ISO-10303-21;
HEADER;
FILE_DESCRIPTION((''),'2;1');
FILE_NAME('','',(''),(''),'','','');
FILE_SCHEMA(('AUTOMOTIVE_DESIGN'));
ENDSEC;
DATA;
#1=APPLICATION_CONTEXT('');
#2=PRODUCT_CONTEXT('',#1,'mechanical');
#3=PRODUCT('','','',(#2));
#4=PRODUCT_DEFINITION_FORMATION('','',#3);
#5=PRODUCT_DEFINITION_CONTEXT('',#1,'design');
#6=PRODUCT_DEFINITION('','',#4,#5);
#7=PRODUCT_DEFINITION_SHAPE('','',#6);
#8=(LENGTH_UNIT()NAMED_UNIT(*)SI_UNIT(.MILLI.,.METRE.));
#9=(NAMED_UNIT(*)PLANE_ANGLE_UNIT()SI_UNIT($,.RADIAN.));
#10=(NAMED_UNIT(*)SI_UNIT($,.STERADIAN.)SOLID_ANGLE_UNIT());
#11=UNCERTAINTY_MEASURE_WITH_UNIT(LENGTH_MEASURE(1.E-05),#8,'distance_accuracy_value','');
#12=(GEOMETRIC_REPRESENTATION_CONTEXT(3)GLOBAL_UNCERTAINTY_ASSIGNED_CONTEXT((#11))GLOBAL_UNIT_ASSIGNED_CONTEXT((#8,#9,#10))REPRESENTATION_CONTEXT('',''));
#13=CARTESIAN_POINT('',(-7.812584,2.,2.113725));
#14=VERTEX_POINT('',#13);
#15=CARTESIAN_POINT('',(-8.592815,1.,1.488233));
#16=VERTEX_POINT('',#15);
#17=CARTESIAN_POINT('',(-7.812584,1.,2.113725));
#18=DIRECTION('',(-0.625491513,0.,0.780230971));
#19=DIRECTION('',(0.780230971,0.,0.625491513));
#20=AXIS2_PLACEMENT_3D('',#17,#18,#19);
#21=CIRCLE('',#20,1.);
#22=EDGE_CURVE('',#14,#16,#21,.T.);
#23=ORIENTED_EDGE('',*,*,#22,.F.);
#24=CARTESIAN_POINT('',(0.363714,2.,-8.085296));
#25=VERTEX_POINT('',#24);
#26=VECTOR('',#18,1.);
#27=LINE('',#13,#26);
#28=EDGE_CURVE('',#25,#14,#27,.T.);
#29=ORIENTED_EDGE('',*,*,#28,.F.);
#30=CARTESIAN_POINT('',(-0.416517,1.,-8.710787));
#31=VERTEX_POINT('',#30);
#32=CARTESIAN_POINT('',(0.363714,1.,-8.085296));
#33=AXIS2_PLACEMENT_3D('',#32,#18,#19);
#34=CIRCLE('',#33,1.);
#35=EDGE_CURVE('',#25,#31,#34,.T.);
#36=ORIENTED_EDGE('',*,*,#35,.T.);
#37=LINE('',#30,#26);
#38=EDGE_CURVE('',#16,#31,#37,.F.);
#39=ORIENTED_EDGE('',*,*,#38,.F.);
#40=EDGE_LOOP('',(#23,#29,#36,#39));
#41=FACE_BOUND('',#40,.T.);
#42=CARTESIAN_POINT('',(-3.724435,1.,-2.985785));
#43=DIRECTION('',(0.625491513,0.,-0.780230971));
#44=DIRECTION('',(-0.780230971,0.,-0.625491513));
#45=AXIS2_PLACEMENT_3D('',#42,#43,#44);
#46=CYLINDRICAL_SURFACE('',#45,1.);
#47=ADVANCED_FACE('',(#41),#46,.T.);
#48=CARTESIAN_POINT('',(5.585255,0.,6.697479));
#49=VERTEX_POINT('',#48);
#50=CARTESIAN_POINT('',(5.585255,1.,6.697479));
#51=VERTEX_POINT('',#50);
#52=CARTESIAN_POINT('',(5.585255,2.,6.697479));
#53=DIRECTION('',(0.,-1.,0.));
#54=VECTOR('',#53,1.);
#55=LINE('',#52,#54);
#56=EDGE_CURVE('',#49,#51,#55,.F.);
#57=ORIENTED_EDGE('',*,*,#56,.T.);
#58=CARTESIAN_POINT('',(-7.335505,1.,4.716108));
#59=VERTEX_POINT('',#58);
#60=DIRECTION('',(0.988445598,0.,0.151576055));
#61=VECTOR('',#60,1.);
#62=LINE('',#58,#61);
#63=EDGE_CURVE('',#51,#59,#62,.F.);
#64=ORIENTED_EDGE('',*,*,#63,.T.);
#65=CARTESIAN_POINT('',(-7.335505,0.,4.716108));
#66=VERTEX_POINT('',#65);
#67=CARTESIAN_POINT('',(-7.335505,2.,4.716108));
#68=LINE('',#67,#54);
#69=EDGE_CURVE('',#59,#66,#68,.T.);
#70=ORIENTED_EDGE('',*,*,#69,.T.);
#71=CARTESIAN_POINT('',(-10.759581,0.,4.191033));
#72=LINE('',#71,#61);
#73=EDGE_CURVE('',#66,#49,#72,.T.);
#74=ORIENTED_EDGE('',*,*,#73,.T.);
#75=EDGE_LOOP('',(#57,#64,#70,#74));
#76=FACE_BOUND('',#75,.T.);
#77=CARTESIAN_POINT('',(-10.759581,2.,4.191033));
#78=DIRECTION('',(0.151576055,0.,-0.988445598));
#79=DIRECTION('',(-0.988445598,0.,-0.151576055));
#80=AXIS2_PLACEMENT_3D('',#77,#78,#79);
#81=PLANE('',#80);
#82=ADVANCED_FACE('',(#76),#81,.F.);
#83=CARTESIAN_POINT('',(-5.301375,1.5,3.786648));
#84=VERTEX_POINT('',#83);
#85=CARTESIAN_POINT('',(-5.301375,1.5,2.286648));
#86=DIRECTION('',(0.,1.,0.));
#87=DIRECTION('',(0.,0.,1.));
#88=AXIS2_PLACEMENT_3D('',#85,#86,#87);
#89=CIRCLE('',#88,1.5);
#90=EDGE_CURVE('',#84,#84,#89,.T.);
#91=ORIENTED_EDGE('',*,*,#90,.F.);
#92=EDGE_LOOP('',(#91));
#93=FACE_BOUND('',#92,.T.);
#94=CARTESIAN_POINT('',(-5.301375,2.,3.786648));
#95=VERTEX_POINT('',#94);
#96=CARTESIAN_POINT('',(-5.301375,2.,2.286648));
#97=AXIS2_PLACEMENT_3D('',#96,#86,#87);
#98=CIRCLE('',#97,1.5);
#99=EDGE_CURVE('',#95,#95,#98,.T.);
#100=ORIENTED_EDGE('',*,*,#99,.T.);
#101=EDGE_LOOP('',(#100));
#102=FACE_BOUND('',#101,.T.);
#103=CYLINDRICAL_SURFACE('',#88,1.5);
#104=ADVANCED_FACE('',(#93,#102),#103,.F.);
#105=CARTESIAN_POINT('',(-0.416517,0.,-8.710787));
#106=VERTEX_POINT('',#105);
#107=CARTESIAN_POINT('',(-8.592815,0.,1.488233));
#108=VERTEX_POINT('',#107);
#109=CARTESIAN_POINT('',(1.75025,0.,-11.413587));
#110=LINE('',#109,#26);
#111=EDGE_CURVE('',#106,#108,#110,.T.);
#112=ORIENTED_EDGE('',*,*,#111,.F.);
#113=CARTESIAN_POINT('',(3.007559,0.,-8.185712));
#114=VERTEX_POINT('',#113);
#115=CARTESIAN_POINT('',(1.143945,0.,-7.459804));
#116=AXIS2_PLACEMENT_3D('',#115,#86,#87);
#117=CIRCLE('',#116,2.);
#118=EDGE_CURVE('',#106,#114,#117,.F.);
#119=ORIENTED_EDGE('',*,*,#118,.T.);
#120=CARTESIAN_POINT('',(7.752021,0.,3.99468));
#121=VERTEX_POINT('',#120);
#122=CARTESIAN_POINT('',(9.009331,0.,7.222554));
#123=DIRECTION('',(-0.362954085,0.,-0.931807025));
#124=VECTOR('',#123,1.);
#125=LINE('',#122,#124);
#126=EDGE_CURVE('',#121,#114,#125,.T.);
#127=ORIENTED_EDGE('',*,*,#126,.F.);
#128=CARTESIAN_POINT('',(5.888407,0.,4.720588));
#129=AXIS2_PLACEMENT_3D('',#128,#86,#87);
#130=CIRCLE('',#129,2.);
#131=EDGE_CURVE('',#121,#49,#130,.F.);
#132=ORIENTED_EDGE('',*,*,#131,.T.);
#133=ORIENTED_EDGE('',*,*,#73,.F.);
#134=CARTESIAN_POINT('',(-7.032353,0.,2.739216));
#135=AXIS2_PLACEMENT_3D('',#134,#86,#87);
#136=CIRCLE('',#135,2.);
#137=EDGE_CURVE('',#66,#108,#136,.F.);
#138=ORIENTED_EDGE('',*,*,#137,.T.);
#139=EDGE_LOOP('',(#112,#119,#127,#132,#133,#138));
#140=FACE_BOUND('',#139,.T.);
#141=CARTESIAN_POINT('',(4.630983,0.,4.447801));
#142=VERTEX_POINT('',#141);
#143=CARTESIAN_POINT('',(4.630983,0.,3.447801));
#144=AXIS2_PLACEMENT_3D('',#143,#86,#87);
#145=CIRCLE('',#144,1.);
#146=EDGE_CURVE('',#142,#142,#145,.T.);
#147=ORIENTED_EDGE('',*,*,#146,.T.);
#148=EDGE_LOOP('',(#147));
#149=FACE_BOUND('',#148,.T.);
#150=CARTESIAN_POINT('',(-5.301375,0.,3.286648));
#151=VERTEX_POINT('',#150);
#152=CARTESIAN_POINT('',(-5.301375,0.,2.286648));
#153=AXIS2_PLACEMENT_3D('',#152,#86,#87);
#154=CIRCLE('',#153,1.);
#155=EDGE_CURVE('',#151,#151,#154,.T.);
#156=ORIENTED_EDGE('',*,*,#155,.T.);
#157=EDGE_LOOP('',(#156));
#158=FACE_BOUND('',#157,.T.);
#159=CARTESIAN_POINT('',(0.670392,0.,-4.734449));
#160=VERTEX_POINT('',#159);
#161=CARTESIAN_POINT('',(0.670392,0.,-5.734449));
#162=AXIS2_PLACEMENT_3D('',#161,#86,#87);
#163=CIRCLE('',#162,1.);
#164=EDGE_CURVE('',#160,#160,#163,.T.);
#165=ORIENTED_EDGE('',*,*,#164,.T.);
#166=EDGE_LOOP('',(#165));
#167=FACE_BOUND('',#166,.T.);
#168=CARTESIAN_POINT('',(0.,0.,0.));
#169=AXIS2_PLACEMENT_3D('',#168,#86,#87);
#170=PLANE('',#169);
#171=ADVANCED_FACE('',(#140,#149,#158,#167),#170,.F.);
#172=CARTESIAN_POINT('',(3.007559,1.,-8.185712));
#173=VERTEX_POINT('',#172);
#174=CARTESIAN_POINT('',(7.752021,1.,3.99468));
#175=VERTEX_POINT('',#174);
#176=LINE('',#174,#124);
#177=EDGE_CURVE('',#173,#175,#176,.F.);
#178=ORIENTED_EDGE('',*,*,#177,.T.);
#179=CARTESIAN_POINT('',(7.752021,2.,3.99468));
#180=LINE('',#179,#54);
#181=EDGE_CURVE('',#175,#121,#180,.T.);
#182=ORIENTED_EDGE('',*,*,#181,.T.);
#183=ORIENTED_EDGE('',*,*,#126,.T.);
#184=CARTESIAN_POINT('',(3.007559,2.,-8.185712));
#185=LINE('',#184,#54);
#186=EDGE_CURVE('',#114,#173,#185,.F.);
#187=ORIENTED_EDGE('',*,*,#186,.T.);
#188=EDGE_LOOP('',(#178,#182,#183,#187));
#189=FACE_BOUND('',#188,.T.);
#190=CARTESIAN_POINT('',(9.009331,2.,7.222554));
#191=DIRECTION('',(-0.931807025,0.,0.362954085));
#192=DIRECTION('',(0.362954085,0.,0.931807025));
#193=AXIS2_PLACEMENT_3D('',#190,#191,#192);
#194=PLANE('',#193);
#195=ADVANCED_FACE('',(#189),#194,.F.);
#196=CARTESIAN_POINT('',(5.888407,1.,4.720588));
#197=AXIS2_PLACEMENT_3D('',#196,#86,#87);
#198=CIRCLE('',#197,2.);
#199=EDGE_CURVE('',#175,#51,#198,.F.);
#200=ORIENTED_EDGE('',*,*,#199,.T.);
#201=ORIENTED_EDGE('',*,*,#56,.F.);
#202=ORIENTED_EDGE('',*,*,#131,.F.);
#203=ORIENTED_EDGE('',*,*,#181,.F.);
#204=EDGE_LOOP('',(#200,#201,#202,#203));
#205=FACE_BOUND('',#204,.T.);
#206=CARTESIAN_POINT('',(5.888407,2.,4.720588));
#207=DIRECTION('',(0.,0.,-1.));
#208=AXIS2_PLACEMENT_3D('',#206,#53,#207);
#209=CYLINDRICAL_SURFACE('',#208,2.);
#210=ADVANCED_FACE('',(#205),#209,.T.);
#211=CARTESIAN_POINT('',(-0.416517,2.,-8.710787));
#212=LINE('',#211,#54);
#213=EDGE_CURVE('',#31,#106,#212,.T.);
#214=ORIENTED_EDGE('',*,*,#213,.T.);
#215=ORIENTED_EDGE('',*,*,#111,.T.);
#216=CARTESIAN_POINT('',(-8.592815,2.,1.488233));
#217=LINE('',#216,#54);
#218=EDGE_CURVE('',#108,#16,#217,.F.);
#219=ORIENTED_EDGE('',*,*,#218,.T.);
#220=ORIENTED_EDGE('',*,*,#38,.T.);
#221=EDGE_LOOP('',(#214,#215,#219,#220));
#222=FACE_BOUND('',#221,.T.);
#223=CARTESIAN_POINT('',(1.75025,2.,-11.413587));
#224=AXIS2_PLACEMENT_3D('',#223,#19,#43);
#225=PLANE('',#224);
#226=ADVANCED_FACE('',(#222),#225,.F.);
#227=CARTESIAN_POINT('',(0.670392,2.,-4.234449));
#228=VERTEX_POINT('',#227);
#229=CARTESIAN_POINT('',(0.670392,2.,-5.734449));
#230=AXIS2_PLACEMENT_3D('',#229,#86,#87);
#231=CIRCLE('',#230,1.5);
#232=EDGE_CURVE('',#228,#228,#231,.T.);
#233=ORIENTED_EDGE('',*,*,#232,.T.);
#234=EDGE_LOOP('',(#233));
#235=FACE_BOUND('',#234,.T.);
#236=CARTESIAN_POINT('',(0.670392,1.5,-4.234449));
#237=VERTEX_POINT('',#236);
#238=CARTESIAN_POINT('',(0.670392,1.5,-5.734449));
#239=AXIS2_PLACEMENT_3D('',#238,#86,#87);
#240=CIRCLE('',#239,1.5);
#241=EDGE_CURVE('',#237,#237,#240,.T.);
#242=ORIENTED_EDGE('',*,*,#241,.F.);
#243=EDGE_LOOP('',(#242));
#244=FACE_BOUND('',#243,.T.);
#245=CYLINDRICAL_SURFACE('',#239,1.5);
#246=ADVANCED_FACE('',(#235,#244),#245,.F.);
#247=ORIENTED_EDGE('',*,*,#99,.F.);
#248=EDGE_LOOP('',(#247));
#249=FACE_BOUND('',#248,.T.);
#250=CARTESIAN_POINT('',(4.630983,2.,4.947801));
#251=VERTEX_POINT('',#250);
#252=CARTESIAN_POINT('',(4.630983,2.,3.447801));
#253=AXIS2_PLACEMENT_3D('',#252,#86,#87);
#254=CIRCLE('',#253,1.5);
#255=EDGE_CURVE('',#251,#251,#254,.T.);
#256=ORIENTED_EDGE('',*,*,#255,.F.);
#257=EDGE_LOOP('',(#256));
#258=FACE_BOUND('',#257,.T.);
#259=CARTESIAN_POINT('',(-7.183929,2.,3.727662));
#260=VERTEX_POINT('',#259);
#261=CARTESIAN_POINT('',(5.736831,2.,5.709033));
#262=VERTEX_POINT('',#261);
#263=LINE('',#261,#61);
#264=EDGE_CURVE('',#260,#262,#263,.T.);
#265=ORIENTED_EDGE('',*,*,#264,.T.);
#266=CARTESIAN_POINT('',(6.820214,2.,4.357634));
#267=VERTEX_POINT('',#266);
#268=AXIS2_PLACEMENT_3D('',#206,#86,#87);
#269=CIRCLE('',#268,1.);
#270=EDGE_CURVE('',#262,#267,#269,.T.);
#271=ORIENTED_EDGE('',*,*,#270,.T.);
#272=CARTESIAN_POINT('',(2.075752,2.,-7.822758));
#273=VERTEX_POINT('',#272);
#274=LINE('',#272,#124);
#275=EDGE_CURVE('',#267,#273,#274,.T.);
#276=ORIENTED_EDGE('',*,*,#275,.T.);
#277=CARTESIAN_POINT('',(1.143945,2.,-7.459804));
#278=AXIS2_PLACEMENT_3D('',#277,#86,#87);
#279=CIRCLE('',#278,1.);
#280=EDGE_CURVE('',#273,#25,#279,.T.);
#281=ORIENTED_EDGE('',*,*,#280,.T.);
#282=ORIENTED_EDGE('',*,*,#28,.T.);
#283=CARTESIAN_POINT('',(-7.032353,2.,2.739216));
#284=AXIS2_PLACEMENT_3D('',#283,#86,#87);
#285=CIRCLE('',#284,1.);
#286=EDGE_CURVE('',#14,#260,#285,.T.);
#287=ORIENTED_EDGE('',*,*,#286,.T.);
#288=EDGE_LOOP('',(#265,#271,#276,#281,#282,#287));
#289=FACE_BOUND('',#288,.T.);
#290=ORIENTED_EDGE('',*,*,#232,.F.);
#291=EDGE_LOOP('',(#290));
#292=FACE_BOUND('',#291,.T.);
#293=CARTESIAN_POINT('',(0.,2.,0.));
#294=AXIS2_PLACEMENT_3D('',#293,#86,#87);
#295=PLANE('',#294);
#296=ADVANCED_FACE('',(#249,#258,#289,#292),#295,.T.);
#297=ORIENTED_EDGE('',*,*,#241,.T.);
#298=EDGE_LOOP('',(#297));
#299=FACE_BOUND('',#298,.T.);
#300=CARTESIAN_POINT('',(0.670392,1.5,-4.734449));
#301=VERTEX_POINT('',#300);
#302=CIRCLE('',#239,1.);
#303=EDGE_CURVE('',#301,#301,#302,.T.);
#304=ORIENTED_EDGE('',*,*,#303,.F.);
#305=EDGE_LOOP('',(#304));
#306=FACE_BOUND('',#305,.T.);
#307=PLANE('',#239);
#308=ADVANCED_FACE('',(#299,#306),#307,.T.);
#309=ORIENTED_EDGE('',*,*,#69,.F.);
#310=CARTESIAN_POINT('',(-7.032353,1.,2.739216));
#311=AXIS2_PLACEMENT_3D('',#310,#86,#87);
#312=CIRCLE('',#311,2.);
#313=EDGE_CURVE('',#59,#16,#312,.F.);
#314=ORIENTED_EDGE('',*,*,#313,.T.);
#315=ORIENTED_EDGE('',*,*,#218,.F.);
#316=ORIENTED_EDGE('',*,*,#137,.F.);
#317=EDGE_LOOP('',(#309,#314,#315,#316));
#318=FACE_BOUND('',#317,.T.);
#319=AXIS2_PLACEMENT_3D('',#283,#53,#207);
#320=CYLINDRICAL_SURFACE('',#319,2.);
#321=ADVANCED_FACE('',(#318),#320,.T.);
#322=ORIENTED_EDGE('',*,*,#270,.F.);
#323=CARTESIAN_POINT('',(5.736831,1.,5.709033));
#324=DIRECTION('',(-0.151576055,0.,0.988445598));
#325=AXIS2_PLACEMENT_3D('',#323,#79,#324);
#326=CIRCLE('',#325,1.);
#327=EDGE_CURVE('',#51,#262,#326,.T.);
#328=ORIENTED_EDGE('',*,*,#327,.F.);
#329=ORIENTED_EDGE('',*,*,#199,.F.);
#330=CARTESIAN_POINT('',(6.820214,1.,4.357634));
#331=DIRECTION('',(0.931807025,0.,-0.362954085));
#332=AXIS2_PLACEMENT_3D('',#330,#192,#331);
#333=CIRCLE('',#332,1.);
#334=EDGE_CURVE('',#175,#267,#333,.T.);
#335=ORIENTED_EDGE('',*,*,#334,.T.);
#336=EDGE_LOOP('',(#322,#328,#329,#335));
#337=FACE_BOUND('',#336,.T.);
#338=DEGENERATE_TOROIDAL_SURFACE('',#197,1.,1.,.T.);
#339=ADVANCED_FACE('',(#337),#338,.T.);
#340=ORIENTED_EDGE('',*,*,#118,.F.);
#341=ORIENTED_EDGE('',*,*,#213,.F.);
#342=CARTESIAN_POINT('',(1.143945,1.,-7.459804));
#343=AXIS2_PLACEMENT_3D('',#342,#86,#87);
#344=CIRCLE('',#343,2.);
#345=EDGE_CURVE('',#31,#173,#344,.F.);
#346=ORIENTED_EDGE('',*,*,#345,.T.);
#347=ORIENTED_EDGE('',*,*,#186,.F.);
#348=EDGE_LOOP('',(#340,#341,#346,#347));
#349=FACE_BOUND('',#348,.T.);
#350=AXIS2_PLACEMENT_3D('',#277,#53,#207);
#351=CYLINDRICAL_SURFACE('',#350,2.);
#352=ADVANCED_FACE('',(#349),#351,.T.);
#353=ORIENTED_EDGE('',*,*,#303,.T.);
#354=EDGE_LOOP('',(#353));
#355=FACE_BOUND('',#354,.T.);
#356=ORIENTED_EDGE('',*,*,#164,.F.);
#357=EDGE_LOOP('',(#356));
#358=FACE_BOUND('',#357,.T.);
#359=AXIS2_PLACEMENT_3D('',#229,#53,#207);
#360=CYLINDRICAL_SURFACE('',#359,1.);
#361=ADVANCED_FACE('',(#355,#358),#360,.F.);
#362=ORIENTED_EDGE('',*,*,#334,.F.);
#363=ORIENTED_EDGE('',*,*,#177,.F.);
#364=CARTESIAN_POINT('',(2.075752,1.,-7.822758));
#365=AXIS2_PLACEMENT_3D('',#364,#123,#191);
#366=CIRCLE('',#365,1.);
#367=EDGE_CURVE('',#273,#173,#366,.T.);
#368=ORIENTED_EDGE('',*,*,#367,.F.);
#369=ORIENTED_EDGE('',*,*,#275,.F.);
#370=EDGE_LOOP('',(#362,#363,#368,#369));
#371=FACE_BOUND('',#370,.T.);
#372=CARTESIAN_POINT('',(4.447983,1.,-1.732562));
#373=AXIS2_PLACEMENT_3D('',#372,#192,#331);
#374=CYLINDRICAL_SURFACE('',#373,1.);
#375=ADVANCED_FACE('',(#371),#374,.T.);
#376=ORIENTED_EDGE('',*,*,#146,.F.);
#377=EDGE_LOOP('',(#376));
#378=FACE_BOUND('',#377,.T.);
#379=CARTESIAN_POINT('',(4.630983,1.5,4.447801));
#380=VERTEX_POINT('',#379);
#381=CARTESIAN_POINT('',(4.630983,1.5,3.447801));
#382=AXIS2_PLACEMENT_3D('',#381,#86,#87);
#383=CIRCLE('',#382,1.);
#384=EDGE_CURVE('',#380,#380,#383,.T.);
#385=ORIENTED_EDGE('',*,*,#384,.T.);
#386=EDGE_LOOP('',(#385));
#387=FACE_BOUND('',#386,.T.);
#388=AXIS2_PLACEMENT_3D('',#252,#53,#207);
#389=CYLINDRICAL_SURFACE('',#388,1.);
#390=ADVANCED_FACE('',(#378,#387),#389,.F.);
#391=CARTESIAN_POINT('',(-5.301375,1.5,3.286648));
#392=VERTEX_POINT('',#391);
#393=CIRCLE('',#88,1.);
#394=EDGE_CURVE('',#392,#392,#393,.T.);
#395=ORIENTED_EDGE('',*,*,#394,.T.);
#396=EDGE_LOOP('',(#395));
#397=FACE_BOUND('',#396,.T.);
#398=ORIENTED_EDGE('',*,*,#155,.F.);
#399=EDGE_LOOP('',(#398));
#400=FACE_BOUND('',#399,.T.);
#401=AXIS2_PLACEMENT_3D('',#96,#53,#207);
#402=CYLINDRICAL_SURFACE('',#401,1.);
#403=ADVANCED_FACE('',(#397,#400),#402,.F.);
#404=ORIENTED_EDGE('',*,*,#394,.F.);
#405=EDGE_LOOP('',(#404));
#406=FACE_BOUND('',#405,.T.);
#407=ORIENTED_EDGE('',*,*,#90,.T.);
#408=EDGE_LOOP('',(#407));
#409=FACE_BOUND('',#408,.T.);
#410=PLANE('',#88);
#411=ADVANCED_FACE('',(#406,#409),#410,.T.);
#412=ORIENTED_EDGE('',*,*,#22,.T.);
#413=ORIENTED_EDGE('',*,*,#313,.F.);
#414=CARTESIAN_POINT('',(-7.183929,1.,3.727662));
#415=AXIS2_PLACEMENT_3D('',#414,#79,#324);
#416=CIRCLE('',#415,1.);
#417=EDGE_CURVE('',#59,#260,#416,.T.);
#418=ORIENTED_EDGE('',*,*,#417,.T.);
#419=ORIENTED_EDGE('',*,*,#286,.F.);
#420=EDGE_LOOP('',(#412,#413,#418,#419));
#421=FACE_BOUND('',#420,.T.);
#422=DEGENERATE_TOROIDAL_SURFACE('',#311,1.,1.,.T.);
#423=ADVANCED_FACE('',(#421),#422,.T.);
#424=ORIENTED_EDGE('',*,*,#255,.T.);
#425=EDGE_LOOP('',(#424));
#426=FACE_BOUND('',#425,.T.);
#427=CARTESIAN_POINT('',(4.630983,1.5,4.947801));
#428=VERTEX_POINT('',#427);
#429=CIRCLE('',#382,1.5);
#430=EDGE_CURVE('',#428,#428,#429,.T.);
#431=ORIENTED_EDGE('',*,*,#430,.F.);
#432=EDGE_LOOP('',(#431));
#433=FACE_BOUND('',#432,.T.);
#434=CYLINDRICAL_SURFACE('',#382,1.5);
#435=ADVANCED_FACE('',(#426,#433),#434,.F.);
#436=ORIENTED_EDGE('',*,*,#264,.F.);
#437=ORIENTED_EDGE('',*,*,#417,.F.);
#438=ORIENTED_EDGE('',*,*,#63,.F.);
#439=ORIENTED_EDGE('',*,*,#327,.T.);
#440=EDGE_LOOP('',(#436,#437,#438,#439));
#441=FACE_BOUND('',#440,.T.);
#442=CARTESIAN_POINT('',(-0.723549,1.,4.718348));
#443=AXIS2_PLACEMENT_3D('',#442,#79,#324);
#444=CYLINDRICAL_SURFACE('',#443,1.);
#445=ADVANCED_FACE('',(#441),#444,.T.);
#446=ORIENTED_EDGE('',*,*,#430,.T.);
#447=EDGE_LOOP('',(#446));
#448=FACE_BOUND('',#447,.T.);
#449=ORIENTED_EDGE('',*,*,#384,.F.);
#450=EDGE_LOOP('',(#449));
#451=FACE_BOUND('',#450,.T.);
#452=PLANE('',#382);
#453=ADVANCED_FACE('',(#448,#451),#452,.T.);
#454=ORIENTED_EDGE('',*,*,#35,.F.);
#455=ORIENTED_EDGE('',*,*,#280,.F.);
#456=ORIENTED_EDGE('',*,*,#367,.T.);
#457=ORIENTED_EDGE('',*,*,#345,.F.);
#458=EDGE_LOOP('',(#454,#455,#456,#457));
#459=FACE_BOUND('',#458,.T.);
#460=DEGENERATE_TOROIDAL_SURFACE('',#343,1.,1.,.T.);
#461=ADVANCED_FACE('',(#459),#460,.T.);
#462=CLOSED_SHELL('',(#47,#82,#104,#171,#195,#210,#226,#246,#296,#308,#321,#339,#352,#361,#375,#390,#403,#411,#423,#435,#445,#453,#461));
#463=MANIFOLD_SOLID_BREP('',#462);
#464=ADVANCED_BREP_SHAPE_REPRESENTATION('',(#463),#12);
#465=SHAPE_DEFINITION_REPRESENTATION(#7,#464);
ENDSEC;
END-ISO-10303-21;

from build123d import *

# Parameters (mm, degrees)
SKETCH1_R           = 1
BOSS_EXTRUDE1_DEPTH = 2
FILLET1_R           = 2
FILLET2_R           = 1
SKETCH2_R           = 1.5
CUT_EXTRUDE1_DEPTH  = 0.5


with BuildPart() as part:
    # Sketch1 → Boss-Extrude1 (new body)
    with BuildSketch(Plane(origin=(0, 0, 0), x_dir=(1, 0, 0), z_dir=(0, 1, 0))):
        Polygon((1.750249519, 11.413586639), (-10.759580737, -4.191032773), (9.009331218, -7.222553866), align=None)
        with Locations(Location((0.670392162, 5.734449205, 0), (0, 0, 270))):
            Circle(SKETCH1_R, mode=Mode.SUBTRACT)
        with Locations(Location((4.630982607, -3.447801245, 0), (0, 0, 270))):
            Circle(SKETCH1_R, mode=Mode.SUBTRACT)
        with Locations(Location((-5.301374769, -2.28664796, 0), (0, 0, 270))):
            Circle(SKETCH1_R, mode=Mode.SUBTRACT)
    extrude(amount=BOSS_EXTRUDE1_DEPTH)

    # Fillet1
    fillet1_edges = [part.edges().sort_by_distance(p)[0] for p in [
        (9.009331218, 1, 7.222553866),
        (-10.759580737, 1, 4.191032773),
        (1.750249519, 1, -11.413586639),
    ]]
    fillet(fillet1_edges, radius=FILLET1_R)

    # Fillet2
    fillet2_edges = [part.edges().sort_by_distance(p)[0] for p in [
        (-4.504665609, 2, -3.611276933),
        (5.379790368, 2, -2.095516386),
        (-0.875124759, 2, 5.706793319),
        (-8.895966686, 2, 3.465124603),
        (7.448869277, 2, 5.97157084),
        (1.44709741, 2, -9.436695443),
    ]]
    fillet(fillet2_edges, radius=FILLET2_R)

    # Sketch2 → Cut-Extrude1 (cut)
    with BuildSketch(Plane(origin=(0, 2, 0), x_dir=(1, 0, 0), z_dir=(0, 1, 0))):
        with Locations(Location((0.670392162, 5.734449205, 0), (0, 0, 270))):
            Circle(SKETCH2_R)
        with Locations(Location((-5.301374769, -2.28664796, 0), (0, 0, 270))):
            Circle(SKETCH2_R)
        with Locations(Location((4.630982607, -3.447801245, 0), (0, 0, 270))):
            Circle(SKETCH2_R)
    extrude(amount=-CUT_EXTRUDE1_DEPTH, mode=Mode.SUBTRACT)


solid = part.part
